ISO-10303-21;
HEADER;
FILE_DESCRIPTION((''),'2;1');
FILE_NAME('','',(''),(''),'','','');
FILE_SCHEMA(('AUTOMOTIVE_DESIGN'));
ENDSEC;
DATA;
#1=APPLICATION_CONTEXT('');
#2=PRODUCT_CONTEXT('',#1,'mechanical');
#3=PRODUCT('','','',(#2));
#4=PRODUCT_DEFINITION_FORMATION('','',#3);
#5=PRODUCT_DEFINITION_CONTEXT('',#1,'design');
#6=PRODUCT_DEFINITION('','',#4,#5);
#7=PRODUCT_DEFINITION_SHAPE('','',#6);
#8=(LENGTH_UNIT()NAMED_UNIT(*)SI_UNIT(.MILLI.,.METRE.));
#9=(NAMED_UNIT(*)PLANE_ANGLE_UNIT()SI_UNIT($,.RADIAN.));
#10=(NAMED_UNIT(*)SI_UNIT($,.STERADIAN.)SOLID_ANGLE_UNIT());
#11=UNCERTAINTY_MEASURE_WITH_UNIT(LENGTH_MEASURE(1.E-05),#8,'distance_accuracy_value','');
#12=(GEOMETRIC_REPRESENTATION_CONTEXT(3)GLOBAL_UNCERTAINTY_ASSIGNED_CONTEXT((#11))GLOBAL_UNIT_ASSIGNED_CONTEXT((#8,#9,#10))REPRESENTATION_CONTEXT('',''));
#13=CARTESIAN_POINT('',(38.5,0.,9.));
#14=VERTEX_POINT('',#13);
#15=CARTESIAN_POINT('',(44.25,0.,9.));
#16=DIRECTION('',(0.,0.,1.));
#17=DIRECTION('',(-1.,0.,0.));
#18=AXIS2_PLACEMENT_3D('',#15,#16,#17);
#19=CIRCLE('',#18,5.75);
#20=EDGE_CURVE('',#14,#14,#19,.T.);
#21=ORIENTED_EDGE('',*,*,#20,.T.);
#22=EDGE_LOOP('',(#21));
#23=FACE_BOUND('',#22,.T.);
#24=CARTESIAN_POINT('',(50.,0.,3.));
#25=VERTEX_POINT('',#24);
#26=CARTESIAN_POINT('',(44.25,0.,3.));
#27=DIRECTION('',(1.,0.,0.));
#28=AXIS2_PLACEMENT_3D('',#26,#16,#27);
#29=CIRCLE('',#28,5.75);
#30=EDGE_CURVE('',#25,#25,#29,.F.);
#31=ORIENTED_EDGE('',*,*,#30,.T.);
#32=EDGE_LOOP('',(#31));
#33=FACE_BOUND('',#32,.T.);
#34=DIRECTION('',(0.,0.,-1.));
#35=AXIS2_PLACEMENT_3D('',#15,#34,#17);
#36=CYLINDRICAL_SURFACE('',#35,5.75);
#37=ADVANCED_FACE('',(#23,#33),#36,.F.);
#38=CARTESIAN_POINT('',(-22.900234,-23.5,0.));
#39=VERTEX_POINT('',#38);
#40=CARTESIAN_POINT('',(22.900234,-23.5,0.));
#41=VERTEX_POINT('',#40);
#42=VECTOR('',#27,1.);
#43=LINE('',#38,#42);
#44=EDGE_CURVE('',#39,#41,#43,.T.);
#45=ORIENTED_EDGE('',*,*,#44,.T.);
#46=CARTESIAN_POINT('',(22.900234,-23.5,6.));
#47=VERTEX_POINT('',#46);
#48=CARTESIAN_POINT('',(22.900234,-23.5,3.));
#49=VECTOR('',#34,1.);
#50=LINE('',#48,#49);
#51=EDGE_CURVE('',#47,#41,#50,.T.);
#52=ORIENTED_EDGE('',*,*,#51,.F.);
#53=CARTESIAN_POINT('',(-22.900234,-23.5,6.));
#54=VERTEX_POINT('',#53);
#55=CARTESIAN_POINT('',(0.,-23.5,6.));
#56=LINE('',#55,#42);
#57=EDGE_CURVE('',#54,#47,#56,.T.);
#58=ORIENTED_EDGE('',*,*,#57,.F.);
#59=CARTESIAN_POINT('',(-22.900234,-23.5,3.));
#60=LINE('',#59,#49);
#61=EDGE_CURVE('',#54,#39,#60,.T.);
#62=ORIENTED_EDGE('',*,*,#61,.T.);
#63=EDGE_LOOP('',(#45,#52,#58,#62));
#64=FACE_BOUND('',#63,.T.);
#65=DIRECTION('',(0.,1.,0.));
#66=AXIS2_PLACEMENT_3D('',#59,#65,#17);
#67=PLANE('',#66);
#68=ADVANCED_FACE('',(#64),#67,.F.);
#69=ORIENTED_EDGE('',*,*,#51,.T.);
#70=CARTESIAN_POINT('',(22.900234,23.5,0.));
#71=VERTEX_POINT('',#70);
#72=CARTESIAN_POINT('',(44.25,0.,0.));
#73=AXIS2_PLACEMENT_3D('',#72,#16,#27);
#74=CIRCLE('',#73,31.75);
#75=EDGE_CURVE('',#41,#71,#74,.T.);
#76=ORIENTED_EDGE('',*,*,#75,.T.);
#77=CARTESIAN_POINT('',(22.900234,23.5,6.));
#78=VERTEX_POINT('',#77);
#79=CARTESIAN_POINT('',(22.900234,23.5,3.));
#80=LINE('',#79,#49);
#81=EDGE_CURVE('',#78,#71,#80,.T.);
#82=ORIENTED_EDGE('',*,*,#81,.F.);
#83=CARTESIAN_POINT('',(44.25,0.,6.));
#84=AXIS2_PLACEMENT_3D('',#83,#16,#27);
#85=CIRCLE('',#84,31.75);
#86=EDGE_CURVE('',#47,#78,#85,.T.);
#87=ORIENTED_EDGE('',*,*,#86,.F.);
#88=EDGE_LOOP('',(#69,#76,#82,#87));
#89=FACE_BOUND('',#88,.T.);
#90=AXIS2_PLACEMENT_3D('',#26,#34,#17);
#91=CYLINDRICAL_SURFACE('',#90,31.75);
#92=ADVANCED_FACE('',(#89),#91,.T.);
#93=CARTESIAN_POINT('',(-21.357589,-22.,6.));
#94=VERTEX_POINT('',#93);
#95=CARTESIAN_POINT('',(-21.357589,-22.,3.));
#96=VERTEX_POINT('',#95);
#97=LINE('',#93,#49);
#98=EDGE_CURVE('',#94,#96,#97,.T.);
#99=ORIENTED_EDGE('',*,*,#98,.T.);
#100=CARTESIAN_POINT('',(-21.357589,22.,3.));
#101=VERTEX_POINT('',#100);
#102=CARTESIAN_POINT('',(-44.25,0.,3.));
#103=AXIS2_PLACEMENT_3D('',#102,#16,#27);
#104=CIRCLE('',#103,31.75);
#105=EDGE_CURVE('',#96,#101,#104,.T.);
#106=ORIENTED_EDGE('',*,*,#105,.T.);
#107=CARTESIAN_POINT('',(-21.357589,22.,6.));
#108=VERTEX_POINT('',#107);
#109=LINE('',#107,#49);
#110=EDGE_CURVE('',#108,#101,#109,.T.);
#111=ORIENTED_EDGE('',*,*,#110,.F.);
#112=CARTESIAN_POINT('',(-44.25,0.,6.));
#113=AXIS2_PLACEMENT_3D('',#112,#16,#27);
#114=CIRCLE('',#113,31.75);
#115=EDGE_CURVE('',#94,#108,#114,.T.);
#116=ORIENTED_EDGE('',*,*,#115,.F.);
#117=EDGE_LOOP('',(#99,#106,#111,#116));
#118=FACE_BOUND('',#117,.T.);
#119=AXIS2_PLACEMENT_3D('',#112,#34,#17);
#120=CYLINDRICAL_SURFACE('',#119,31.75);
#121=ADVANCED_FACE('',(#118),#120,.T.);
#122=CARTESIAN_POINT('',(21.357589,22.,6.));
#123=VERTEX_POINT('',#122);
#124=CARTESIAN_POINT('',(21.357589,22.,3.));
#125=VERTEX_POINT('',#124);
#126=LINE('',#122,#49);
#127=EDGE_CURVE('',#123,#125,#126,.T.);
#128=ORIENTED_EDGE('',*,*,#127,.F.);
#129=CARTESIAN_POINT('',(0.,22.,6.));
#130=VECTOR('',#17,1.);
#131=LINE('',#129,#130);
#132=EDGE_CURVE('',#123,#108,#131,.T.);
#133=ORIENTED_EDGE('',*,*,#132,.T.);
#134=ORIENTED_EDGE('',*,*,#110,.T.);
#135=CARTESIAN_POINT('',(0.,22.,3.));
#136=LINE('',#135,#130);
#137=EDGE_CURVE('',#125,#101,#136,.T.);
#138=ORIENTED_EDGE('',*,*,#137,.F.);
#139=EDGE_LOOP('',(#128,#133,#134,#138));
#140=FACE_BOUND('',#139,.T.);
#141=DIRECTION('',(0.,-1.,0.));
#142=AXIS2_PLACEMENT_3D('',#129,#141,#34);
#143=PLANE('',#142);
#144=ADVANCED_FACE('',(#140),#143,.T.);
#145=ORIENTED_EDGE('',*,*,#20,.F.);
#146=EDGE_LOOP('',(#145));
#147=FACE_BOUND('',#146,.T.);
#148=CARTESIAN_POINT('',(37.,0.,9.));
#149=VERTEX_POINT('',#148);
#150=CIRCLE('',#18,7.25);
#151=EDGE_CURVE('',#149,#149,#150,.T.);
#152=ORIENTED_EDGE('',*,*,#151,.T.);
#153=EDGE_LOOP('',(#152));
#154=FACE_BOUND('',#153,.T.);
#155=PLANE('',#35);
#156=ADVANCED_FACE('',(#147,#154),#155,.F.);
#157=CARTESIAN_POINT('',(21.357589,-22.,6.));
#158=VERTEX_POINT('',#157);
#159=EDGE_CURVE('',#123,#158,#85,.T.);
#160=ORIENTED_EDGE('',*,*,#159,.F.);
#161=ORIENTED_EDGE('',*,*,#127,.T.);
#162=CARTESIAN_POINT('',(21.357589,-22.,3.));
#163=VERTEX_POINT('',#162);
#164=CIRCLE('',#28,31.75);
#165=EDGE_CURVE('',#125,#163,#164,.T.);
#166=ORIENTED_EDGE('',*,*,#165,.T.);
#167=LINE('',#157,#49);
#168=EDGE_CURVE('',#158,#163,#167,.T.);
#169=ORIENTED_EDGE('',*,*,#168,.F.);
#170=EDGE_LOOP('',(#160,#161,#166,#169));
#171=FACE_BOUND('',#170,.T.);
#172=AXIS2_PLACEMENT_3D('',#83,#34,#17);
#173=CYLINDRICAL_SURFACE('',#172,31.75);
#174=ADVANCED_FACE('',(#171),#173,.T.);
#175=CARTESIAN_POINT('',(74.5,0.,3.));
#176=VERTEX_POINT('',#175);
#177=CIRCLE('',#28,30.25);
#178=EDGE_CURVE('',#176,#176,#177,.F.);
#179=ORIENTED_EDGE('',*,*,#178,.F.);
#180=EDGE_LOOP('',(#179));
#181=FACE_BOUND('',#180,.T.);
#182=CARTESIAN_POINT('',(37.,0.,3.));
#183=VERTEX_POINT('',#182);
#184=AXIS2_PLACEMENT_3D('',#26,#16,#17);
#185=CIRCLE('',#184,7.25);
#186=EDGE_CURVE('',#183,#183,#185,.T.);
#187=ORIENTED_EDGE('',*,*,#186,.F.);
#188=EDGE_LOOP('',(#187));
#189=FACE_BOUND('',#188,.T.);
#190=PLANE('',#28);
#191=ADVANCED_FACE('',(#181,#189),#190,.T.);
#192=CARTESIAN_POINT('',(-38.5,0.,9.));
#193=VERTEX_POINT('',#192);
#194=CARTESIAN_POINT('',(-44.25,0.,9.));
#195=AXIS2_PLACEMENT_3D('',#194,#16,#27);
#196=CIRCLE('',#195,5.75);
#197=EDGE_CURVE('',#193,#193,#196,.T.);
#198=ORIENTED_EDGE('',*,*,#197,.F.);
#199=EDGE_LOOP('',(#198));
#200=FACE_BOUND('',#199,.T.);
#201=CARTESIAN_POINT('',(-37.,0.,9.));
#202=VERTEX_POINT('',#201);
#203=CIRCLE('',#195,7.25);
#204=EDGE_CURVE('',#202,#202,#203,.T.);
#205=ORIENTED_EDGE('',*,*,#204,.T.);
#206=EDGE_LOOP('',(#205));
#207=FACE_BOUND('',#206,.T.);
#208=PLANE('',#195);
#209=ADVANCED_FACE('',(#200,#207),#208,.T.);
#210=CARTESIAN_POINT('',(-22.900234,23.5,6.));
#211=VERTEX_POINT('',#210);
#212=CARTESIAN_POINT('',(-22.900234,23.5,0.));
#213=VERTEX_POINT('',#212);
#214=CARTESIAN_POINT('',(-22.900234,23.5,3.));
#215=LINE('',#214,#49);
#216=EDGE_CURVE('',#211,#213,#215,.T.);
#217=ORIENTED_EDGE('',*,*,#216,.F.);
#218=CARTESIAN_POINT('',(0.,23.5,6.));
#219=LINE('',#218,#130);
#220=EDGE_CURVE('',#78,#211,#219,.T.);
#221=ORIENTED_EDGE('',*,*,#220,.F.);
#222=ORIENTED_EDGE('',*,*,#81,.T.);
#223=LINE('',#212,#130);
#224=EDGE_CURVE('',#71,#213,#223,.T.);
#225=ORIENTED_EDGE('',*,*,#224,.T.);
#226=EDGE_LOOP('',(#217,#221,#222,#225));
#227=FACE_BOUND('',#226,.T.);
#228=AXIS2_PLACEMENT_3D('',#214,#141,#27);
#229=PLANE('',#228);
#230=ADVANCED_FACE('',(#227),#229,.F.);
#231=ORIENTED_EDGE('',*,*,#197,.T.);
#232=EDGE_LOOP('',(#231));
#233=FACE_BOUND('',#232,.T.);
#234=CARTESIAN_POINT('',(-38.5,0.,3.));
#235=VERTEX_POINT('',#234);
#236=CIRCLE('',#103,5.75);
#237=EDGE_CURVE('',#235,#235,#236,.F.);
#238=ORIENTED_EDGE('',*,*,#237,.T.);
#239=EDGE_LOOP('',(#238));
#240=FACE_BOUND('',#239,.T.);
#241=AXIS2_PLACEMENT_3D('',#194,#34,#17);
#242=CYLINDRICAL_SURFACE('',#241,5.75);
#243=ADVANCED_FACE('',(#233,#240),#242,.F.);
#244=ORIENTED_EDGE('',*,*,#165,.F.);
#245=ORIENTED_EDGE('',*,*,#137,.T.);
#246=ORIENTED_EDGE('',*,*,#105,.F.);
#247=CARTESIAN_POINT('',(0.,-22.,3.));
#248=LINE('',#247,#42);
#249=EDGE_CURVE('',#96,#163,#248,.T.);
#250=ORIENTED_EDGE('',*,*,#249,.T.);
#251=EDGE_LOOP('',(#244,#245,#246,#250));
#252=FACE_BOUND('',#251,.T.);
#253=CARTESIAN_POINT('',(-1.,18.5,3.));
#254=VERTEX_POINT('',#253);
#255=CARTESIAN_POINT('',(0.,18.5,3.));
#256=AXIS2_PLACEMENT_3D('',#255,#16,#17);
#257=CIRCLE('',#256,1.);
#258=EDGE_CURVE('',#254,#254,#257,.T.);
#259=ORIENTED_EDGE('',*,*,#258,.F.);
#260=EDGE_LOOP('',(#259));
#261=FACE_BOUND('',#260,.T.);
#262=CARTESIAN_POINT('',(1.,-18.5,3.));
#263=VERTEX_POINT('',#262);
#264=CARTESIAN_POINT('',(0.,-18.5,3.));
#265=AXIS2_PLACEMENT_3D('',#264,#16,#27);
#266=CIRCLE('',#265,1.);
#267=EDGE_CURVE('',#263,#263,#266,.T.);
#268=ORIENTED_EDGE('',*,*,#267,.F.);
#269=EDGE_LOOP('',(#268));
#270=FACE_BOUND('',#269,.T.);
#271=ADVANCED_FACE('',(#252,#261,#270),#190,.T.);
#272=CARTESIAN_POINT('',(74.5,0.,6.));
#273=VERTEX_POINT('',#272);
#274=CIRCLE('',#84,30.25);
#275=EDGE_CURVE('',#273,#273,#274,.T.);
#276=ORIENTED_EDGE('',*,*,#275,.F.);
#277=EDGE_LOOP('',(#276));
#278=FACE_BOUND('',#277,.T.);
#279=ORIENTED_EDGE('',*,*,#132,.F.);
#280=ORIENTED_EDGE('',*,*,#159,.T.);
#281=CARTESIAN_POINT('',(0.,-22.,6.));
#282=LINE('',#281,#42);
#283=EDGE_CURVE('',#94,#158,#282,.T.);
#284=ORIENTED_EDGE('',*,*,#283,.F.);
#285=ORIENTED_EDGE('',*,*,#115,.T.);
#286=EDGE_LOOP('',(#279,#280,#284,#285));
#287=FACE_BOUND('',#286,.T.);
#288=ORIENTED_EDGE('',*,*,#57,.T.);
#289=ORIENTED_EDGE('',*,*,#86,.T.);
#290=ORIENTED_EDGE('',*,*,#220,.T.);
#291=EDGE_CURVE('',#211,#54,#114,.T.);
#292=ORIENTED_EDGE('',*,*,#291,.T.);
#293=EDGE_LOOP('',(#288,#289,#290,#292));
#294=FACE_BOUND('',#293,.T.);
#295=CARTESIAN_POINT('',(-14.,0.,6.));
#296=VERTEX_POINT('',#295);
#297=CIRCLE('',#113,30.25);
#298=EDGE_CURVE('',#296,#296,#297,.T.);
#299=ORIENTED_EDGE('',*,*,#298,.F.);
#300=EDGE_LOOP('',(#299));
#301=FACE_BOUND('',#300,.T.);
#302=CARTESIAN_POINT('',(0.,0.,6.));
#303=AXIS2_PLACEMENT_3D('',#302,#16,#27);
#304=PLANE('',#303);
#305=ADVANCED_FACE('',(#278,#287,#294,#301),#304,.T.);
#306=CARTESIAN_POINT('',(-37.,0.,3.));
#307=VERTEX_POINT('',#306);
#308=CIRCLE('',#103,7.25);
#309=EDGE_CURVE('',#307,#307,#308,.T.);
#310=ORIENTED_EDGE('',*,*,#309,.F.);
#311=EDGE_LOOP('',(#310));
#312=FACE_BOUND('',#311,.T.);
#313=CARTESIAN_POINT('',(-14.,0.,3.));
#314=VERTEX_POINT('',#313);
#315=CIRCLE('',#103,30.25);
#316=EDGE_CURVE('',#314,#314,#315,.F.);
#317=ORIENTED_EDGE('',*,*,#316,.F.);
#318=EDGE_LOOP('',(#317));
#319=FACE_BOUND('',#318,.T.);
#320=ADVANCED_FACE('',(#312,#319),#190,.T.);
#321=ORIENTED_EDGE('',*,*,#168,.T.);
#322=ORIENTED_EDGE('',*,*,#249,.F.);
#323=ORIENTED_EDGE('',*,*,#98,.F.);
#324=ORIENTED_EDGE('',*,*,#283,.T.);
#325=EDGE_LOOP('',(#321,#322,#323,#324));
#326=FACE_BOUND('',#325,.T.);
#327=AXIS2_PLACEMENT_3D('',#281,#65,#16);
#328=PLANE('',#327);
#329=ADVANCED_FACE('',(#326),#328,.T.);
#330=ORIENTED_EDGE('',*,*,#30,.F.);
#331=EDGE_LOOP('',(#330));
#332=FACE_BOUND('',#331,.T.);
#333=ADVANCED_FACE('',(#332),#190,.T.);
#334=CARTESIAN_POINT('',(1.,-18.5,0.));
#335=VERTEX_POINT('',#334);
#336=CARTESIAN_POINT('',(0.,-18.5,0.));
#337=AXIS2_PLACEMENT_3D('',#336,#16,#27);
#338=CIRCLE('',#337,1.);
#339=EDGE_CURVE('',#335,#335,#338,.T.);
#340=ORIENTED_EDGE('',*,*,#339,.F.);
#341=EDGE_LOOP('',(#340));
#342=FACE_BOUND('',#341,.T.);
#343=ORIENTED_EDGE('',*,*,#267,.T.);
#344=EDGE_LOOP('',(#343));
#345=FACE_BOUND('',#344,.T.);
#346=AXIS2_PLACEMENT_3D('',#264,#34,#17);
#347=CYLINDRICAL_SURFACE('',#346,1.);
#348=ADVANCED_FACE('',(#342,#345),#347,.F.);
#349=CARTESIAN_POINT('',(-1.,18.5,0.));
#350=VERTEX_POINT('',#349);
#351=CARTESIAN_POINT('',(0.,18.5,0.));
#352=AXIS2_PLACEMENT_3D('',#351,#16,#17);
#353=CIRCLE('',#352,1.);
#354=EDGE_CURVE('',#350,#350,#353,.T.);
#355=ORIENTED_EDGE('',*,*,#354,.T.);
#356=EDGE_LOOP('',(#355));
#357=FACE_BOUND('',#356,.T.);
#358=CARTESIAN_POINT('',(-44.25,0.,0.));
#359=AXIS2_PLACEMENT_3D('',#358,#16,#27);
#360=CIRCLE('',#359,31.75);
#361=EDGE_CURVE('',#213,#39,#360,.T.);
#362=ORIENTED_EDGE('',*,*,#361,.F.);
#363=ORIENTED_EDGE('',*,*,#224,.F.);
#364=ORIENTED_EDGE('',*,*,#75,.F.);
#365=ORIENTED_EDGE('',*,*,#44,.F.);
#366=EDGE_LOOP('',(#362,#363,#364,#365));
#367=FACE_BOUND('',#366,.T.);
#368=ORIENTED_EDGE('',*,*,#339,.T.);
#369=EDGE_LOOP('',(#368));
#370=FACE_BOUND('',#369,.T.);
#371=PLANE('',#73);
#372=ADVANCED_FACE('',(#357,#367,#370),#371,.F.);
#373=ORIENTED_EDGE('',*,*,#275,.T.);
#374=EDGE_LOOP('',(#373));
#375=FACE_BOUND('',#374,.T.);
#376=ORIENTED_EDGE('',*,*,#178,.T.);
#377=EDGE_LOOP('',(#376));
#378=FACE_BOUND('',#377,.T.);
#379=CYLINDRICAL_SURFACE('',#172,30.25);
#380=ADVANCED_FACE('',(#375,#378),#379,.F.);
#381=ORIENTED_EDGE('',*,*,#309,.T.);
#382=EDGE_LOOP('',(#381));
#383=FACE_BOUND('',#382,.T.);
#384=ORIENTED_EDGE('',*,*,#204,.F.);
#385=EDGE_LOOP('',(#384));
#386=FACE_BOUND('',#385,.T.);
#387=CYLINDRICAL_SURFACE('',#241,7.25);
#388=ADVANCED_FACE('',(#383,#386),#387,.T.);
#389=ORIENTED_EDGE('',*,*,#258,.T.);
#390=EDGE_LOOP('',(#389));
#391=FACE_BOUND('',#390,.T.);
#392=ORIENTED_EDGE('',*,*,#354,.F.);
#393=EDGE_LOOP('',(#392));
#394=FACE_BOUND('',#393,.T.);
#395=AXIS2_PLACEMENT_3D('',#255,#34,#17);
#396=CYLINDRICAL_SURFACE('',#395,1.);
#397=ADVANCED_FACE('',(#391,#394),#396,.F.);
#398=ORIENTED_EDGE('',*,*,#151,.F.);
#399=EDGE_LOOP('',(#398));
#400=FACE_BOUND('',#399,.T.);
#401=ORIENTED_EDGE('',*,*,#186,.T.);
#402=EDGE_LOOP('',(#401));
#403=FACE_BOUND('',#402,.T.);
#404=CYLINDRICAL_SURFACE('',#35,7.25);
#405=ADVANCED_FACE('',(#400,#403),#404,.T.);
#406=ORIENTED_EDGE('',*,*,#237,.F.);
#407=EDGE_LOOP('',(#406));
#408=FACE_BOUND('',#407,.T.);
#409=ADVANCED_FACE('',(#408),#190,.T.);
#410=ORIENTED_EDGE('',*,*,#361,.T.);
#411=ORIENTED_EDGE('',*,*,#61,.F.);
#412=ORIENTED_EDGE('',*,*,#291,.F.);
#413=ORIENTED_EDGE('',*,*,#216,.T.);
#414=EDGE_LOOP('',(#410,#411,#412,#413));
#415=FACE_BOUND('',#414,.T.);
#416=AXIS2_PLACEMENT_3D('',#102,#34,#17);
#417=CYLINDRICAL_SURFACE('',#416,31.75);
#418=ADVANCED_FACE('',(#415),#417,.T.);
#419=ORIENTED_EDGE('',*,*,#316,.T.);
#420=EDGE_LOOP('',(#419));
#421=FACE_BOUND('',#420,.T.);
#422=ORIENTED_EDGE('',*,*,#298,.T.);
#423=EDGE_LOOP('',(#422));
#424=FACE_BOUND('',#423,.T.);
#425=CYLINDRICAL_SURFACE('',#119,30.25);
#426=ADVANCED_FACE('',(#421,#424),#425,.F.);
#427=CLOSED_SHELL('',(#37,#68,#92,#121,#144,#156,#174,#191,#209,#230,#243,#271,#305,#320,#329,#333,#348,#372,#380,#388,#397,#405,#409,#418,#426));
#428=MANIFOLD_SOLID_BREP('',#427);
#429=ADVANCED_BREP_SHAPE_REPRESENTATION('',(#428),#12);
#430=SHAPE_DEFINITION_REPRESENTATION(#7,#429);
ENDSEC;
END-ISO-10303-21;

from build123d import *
from build123d.topology import SkipClean

# Parameters (mm, degrees)
IZIM2_R                     = 1
Y_KSEKLIK_EKSTR_ZYON1_DEPTH = 3
IZIM3_R                     = 30.25
Y_KSEKLIK_EKSTR_ZYON2_DEPTH = 3
IZIM4_R                     = 7.25
IZIM4_R_2                   = 5.75
Y_KSEKLIK_EKSTR_ZYON3_DEPTH = 6


with BuildPart() as part:
    # Çizim2 → Yükseklik-Ekstrüzyon1 (new body)
    with BuildSketch(Plane.XY):
        with BuildLine():
            Line((-22.900234193, 23.5), (22.900234193, 23.5))
            ThreePointArc((22.900234193, 23.5), (76, 0), (22.900234193, -23.5))
            Line((22.900234193, -23.5), (-22.900234193, -23.5))
            ThreePointArc((-22.900234193, -23.5), (-76, 0), (-22.900234193, 23.5))
        make_face()
        with Locations((0, -18.5)):
            Circle(IZIM2_R, mode=Mode.SUBTRACT)
        with Locations(Location((0, 18.5, 0), (0, 0, 180))):
            Circle(IZIM2_R, mode=Mode.SUBTRACT)
    extrude(amount=Y_KSEKLIK_EKSTR_ZYON1_DEPTH)

    # Çizim3 → Yükseklik-Ekstrüzyon2 (add)
    # profile 1 of 4: a face of its own
    with SkipClean():  # the faces are left unmerged after this step: merging them gives an invalid solid
        with BuildSketch(Plane.XY.offset(3)):
            with BuildLine():
                ThreePointArc((-22.900234193, 23.5), (-76, 0), (-22.900234193, -23.5))
                ThreePointArc((-22.900234193, -23.5), (-22.116200933, -22.763071824), (-21.357588594, -22))
                ThreePointArc((-21.357588594, -22), (-14.797525043, -11.858086647), (-12.5, 0))
                ThreePointArc((-12.5, 0), (-14.797525043, 11.858086647), (-21.357588594, 22))
                ThreePointArc((-21.357588594, 22), (-22.116200933, 22.763071824), (-22.900234193, 23.5))
            make_face()
            with Locations((-44.25, 0)):
                Circle(IZIM3_R, mode=Mode.SUBTRACT)
        # profile 2 of 4: a face of its own
        with BuildSketch(Plane.XY.offset(3)):
            with BuildLine():
                ThreePointArc((21.357588594, -22), (22.116200933, -22.763071824), (22.900234193, -23.5))
                ThreePointArc((22.900234193, -23.5), (57.099269155, -29.033752465), (76, 0))
                ThreePointArc((76, 0), (57.099269155, 29.033752465), (22.900234193, 23.5))
                ThreePointArc((22.900234193, 23.5), (22.116200933, 22.763071824), (21.357588594, 22))
                ThreePointArc((21.357588594, 22), (12.5, 0), (21.357588594, -22))
            make_face()
            with Locations((44.25, 0)):
                Circle(IZIM3_R, mode=Mode.SUBTRACT)
        # profile 3 of 4: a face of its own
        with BuildSketch(Plane.XY.offset(3)):
            with BuildLine():
                ThreePointArc((-21.357588594, -22), (-22.116200933, -22.763071824), (-22.900234193, -23.5))
                Line((-22.900234193, -23.5), (22.900234193, -23.5))
                ThreePointArc((22.900234193, -23.5), (22.116200933, -22.763071824), (21.357588594, -22))
                Line((21.357588594, -22), (-21.357588594, -22))
            make_face()
        # profile 4 of 4: a face of its own
        with BuildSketch(Plane.XY.offset(3)):
            with BuildLine():
                Line((22.900234193, 23.5), (-22.900234193, 23.5))
                ThreePointArc((-22.900234193, 23.5), (-22.116200933, 22.763071824), (-21.357588594, 22))
                Line((-21.357588594, 22), (21.357588594, 22))
                ThreePointArc((21.357588594, 22), (22.116200933, 22.763071824), (22.900234193, 23.5))
            make_face()
        extrude(amount=Y_KSEKLIK_EKSTR_ZYON2_DEPTH)

    # Çizim4 → Yükseklik-Ekstrüzyon3 (add)
    # profile 1 of 2: a face of its own
    with SkipClean():  # the faces are left unmerged after this step: merging them gives an invalid solid
        with BuildSketch(Plane.XY.offset(3)):
            with Locations((-44.25, 0)):
                Circle(IZIM4_R)
            with Locations((-44.25, 0)):
                Circle(IZIM4_R_2, mode=Mode.SUBTRACT)
        # profile 2 of 2: a face of its own
        with BuildSketch(Plane.XY.offset(3)):
            with Locations(Location((44.25, 0, 0), (0, 0, 180))):
                Circle(IZIM4_R)
            with Locations(Location((44.25, 0, 0), (0, 0, 180))):
                Circle(IZIM4_R_2, mode=Mode.SUBTRACT)
        extrude(amount=Y_KSEKLIK_EKSTR_ZYON3_DEPTH)


solid = part.part
